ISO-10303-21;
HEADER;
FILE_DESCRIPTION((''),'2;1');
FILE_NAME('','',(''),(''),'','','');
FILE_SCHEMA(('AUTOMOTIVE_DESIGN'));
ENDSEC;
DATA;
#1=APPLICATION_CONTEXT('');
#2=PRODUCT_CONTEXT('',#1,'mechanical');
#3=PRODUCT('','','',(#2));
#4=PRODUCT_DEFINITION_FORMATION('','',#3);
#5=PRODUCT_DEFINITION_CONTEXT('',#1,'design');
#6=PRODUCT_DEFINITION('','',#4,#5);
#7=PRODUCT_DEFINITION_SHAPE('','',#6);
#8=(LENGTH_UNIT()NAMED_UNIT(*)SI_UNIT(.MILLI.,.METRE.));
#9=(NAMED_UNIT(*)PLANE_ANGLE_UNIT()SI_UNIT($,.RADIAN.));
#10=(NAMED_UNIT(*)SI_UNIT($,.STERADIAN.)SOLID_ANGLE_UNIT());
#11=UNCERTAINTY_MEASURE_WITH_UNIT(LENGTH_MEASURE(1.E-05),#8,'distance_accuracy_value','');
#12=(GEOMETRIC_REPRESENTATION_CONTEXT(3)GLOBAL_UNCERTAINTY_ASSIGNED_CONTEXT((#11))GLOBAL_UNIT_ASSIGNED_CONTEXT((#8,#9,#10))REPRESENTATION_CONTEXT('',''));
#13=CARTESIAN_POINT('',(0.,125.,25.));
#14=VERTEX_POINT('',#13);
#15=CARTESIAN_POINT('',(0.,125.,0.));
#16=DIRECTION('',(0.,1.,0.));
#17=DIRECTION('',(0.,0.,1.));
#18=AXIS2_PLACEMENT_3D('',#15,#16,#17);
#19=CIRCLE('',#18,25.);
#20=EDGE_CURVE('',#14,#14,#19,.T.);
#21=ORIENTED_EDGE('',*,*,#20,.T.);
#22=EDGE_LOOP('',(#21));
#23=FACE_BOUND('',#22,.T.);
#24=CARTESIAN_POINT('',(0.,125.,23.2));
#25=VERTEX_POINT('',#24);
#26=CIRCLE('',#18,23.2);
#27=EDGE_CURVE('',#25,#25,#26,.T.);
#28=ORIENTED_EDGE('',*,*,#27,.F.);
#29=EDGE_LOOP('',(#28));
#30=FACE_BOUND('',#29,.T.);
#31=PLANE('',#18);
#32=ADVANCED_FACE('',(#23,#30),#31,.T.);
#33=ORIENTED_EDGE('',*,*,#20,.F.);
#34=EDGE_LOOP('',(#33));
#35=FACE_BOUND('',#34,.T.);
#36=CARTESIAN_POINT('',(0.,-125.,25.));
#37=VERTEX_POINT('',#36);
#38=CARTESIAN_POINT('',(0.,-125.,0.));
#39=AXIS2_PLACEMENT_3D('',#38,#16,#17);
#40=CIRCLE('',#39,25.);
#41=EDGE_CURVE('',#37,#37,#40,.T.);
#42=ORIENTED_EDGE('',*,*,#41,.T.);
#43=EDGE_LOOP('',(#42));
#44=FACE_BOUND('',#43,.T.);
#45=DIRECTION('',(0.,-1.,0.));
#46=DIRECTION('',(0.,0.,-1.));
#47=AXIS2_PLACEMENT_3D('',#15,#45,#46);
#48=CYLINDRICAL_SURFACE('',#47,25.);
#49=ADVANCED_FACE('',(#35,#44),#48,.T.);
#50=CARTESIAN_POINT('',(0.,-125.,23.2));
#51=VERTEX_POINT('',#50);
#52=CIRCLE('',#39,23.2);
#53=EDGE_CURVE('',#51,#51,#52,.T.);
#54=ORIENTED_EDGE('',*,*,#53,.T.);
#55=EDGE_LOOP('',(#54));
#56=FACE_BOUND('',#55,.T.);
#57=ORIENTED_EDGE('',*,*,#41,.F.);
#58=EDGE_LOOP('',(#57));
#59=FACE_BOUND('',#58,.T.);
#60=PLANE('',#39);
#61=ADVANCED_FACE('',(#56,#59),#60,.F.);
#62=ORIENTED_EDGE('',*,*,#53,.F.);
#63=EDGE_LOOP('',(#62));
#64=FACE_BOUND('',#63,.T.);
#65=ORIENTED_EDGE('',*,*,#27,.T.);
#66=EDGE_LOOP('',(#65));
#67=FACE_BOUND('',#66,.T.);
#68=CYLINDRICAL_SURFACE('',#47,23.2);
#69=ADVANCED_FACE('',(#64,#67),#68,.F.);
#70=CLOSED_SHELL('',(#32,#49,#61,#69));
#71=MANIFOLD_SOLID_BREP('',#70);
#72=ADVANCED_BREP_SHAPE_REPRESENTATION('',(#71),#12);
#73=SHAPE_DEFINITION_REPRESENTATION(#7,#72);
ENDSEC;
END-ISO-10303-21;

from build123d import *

# Parameters (mm, degrees)
SKETCH1_R           = 25
SKETCH1_R_2         = 23.2
BOSS_EXTRUDE1_DEPTH = 125


with BuildPart() as part:
    # Sketch1 → Boss-Extrude1 (new body, symmetric)
    with BuildSketch(Plane(origin=(0, 0, 0), x_dir=(1, 0, 0), z_dir=(0, 1, 0))):
        Circle(SKETCH1_R)
        Circle(SKETCH1_R_2, mode=Mode.SUBTRACT)
    extrude(amount=BOSS_EXTRUDE1_DEPTH, both=True)


solid = part.part
